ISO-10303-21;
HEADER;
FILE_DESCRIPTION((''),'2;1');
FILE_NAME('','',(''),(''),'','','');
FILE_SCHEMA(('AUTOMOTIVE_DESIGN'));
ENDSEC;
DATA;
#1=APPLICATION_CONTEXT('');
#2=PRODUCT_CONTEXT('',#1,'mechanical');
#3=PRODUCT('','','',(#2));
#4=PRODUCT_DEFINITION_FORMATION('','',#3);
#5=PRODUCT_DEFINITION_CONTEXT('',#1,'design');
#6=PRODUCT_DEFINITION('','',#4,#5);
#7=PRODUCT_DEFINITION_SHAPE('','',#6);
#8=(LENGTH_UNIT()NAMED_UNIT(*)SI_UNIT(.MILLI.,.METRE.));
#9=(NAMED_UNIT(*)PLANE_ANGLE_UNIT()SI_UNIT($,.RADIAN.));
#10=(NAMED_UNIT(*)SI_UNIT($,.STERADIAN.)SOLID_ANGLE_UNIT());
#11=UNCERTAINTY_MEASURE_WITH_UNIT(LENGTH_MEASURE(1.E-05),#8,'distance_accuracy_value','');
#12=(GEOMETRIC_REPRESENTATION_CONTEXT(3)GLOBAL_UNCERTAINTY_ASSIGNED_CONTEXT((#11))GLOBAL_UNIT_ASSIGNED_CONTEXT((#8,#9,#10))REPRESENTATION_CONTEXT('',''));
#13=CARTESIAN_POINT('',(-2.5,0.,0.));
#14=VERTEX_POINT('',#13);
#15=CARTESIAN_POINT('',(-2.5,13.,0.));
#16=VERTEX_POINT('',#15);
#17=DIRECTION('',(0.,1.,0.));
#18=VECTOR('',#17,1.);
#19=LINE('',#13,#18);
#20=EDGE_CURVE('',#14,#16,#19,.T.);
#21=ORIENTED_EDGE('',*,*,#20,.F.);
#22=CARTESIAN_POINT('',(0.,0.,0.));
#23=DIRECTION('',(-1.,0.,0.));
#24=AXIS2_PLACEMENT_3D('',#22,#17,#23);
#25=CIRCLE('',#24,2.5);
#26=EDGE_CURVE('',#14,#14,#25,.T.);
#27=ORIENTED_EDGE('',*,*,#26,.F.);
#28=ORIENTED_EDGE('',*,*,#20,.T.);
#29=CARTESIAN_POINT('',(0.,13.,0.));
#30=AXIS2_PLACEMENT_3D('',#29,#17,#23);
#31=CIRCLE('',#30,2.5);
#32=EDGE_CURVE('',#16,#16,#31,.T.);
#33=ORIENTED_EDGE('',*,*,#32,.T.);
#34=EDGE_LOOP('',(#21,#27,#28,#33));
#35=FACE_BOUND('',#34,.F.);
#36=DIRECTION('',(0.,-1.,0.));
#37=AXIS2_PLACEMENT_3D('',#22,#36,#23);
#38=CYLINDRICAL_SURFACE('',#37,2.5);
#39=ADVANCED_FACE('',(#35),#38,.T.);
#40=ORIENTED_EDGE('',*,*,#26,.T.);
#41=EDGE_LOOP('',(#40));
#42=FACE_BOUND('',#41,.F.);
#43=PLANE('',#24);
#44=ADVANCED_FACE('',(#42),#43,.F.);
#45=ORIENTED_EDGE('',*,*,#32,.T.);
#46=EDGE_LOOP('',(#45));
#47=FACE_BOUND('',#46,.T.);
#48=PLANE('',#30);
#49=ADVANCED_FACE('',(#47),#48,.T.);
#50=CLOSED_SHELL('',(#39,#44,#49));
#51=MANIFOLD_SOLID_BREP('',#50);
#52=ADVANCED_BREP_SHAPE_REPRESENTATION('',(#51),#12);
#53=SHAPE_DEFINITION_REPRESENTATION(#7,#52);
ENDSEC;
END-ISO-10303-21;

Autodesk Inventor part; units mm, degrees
ref_plane "YZ Plane" through (0, 0, 0) normal (1, 0, 0) x (0, 1, 0)
ref_plane "XZ Plane" through (0, 0, 0) normal (0, 1, 0) x (-1, 0, 0)
ref_plane "XY Plane" through (0, 0, 0) normal (0, 0, 1) x (1, 0, 0)
sketch "Sketch2" plane through (0, 0, 0) normal (0, 1, 0) x (-1, 0, 0)
  circle A0 centre (0, 0) radius 2.5
  dimension "d4" = 5
extrude "Extrusion2" add sketch "Sketch2" along normal blind 13
properties part number "HexModel"
